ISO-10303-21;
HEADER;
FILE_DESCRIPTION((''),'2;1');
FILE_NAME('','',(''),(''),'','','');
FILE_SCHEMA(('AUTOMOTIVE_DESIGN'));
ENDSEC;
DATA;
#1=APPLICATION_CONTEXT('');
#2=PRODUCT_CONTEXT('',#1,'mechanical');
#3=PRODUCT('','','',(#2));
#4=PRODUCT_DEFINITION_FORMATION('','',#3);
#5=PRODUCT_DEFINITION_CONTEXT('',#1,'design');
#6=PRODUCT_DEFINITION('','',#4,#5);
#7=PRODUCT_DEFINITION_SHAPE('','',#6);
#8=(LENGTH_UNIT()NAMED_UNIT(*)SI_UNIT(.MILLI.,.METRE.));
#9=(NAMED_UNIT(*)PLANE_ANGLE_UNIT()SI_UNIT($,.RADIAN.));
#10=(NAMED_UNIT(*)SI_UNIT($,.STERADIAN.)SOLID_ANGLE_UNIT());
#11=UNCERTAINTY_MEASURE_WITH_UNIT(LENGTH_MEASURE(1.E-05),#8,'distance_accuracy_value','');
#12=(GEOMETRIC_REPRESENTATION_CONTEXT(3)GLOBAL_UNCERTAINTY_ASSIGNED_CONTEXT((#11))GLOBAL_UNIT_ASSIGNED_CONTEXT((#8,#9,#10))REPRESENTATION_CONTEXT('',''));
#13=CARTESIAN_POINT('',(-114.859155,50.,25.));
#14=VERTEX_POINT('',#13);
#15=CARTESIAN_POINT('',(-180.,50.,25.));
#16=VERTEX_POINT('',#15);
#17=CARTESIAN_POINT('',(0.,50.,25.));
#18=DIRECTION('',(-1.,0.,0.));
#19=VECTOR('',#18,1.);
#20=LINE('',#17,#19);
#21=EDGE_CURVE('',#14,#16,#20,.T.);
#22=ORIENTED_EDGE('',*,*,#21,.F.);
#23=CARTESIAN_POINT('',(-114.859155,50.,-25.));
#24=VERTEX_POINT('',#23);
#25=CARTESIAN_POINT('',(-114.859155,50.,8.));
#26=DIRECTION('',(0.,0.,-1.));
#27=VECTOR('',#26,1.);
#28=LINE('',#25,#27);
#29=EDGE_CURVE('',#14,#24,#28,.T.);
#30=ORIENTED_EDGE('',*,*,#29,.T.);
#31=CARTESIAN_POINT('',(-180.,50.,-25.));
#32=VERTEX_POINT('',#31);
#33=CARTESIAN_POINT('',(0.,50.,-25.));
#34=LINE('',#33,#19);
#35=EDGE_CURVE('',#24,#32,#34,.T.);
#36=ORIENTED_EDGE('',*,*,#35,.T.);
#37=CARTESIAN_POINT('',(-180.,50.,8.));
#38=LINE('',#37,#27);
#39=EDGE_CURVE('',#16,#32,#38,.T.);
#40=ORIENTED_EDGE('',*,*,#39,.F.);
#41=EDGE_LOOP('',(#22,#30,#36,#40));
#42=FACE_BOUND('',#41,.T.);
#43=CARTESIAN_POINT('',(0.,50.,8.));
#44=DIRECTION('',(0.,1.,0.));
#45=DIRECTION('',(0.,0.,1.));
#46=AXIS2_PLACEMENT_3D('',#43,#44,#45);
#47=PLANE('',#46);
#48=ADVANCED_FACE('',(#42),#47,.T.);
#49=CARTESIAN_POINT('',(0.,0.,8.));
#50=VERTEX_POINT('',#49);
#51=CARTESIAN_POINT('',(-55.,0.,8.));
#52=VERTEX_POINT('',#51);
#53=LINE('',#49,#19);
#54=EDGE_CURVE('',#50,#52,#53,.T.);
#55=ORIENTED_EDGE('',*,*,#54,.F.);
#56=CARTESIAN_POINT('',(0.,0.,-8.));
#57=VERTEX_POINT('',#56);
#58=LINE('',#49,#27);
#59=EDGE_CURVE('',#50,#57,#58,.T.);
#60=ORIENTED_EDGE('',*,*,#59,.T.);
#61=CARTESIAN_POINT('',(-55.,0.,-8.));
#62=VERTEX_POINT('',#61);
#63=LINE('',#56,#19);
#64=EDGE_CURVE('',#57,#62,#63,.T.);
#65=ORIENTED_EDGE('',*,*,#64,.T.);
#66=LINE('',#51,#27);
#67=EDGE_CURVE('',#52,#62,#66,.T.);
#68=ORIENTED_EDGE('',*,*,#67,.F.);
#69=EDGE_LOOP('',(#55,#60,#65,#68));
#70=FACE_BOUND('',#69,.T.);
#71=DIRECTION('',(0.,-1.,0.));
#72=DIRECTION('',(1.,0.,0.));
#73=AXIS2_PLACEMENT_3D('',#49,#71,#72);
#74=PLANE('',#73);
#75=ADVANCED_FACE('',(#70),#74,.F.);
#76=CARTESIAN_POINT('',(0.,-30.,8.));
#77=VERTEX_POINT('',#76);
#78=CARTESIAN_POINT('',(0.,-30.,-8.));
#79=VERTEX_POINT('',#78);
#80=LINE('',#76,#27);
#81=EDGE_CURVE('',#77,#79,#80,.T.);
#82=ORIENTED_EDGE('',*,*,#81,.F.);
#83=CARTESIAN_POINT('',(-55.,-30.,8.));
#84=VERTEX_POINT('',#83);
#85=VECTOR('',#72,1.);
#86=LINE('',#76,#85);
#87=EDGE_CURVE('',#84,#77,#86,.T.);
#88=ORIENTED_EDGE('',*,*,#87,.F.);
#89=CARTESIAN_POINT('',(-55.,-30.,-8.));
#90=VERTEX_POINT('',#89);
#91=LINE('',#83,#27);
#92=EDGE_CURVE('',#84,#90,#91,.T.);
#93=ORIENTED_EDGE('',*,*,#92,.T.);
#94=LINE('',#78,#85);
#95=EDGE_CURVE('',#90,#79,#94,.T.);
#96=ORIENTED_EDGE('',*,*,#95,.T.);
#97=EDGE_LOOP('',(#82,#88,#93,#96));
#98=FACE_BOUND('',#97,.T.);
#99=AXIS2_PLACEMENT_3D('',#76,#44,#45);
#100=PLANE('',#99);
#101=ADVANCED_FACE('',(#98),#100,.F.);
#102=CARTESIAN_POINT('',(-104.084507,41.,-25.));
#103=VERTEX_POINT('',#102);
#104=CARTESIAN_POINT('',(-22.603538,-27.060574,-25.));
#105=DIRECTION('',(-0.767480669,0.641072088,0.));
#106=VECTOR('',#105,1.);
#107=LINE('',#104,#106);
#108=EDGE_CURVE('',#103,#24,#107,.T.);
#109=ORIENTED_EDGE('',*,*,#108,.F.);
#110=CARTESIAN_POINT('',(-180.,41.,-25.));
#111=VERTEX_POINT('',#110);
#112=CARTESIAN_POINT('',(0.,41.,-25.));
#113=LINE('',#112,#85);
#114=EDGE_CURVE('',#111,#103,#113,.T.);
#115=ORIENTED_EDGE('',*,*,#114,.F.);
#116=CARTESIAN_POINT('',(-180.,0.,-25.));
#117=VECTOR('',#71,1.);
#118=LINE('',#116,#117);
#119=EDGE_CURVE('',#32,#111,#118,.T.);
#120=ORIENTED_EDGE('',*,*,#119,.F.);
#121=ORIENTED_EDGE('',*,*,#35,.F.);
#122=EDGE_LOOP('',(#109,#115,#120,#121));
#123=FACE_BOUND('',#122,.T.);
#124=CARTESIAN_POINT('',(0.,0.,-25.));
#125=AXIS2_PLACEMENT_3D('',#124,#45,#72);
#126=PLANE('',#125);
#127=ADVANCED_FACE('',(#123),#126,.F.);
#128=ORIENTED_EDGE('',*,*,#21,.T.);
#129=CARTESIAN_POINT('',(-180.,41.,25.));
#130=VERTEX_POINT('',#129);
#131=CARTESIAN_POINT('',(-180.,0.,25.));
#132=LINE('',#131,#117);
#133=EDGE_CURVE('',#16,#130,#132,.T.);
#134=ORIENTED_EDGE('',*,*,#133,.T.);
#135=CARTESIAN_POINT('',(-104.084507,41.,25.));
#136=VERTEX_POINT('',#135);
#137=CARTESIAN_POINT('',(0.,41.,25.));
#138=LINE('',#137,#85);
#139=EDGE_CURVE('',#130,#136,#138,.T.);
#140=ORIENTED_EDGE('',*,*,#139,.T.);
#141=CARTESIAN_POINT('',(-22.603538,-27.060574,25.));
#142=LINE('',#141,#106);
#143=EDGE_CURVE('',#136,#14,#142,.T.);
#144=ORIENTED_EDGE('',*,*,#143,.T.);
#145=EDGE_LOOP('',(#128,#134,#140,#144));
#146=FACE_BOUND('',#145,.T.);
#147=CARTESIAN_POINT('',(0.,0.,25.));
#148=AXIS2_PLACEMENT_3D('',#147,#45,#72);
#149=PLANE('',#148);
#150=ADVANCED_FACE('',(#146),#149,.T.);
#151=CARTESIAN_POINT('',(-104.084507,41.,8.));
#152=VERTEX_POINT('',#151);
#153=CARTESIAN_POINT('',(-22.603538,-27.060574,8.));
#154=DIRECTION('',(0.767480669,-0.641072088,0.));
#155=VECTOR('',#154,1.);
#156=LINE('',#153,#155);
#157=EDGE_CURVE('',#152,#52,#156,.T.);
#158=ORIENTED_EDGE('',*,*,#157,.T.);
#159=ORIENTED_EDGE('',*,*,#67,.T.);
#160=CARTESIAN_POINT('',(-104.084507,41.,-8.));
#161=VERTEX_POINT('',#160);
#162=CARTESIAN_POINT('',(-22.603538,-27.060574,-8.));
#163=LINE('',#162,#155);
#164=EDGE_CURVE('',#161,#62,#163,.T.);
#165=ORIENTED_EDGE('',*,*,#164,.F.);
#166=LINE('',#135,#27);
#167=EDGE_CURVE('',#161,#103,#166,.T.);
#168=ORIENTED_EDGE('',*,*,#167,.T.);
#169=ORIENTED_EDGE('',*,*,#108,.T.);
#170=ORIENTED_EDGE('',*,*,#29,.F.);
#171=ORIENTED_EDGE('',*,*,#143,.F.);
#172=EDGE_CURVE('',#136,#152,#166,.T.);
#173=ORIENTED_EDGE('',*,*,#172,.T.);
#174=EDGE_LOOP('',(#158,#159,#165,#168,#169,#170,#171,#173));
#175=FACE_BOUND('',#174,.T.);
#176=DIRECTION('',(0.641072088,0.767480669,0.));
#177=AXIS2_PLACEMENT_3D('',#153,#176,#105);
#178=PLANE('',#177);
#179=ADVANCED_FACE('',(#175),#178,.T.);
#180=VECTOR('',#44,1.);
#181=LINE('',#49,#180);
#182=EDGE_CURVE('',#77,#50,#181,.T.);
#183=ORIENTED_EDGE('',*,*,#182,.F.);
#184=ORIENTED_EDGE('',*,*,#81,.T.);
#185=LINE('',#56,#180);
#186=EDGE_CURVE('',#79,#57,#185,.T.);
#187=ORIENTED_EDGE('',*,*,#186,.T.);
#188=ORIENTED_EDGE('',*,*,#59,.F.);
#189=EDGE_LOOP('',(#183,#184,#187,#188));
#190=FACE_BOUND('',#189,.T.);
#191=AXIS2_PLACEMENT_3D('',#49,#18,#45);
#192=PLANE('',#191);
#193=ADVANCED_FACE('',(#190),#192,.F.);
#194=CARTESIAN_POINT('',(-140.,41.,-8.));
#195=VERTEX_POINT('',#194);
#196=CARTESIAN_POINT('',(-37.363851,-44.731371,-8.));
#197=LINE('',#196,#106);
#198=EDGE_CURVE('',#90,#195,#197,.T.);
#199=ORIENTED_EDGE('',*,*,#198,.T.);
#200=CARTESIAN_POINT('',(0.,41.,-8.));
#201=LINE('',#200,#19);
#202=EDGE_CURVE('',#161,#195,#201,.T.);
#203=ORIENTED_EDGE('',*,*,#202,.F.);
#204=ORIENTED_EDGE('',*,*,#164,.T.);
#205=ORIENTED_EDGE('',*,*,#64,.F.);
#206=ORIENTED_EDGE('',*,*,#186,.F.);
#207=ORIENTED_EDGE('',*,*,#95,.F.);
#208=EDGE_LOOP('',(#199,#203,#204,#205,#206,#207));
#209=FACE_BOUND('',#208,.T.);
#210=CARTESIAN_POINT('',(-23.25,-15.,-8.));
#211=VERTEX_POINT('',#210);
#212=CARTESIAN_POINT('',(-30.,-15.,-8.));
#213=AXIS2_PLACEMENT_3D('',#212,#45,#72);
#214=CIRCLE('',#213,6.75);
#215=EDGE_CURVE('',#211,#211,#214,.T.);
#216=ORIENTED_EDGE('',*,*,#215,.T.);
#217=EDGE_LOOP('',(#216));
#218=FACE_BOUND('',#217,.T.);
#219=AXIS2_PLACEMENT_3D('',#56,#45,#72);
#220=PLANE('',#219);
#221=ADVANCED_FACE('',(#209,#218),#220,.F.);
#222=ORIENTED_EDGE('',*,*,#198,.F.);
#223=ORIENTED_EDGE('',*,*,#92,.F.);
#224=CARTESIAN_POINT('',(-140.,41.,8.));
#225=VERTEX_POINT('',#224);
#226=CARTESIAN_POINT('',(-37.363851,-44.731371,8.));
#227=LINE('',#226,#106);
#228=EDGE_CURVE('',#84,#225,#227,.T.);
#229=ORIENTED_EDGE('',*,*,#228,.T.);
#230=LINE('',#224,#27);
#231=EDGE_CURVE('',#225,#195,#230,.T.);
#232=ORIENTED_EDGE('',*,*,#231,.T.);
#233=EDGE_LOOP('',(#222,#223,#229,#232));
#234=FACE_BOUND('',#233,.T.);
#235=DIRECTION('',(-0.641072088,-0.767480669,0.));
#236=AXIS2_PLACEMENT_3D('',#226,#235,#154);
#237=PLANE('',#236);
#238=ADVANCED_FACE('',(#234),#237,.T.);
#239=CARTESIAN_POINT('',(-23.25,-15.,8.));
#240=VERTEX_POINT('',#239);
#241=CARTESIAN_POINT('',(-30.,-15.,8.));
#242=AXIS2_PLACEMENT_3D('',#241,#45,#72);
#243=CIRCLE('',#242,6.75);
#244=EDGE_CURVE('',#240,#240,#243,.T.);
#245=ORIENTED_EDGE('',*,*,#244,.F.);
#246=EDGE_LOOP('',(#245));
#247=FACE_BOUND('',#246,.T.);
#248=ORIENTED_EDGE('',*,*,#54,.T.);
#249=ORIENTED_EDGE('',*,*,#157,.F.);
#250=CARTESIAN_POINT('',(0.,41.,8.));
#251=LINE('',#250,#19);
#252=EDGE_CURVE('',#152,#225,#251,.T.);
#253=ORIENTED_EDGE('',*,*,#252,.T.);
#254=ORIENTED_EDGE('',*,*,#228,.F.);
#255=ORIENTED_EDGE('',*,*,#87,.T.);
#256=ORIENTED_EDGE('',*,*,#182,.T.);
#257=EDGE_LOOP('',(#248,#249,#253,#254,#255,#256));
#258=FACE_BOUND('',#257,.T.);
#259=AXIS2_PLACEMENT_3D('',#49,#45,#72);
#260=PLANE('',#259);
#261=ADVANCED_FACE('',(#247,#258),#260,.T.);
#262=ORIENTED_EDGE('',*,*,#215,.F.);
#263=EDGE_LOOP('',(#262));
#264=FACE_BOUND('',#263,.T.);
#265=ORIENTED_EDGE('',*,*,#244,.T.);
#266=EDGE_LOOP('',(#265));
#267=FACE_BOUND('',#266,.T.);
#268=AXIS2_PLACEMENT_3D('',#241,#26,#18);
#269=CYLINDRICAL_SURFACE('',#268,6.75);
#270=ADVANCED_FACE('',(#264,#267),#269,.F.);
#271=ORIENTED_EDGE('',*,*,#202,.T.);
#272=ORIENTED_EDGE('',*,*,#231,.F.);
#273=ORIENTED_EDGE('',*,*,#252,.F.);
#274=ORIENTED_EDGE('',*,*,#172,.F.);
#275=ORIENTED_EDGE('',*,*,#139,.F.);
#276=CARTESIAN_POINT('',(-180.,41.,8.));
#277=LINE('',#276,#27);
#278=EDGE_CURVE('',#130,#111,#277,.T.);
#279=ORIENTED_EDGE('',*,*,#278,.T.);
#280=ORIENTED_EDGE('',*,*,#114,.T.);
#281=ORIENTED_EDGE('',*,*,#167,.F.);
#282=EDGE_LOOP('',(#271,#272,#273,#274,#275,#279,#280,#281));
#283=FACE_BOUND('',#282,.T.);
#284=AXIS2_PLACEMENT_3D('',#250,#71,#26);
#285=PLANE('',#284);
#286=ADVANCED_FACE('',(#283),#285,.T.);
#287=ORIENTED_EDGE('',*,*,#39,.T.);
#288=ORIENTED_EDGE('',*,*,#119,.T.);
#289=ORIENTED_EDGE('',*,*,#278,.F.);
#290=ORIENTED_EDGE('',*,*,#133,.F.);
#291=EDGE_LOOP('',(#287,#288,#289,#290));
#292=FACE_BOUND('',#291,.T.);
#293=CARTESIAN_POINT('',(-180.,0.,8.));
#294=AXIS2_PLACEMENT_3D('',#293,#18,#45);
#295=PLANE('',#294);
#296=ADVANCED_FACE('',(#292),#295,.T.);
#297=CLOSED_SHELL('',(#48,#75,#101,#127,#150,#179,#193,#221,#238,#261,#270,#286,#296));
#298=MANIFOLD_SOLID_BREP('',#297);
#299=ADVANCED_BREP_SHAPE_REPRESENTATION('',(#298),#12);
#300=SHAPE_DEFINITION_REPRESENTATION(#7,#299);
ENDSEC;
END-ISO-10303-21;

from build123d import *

# Parameters (mm, degrees)
SZKIC1_W                    = 55
SZKIC1_H                    = 30
SZKIC1_R                    = 6.75
DODANIE_WYCI_GNI_CIE1_DEPTH = 8
DODANIE_WYCI_GNI_CIE2_DEPTH = 25


with BuildPart() as part:
    # Szkic1 → Dodanie-wyciągnięcie1 (new, symmetric)
    # profile 1 of 2: a face of its own
    with BuildSketch(Plane.XY):
        with Locations((-27.5, -15)):
            Rectangle(SZKIC1_W, SZKIC1_H)
        with Locations((-30, -15)):
            Circle(SZKIC1_R, mode=Mode.SUBTRACT)
    # profile 2 of 2: a face of its own
    with BuildSketch(Plane.XY):
        Polygon((-114.85915493, 50), (-55, 0), (-55, -30), (-140, 41), (-180, 41), (-180, 50), align=None)
    extrude(amount=DODANIE_WYCI_GNI_CIE1_DEPTH, both=True)

    # Szkic2 → Dodanie-wyciągnięcie2 (add, symmetric)
    with BuildSketch(Plane.XY):
        Polygon((-180, 41), (-140, 41), (-104.084507042, 41), (-114.85915493, 50), (-180, 50), align=None)
    extrude(amount=DODANIE_WYCI_GNI_CIE2_DEPTH, both=True)


solid = part.part
